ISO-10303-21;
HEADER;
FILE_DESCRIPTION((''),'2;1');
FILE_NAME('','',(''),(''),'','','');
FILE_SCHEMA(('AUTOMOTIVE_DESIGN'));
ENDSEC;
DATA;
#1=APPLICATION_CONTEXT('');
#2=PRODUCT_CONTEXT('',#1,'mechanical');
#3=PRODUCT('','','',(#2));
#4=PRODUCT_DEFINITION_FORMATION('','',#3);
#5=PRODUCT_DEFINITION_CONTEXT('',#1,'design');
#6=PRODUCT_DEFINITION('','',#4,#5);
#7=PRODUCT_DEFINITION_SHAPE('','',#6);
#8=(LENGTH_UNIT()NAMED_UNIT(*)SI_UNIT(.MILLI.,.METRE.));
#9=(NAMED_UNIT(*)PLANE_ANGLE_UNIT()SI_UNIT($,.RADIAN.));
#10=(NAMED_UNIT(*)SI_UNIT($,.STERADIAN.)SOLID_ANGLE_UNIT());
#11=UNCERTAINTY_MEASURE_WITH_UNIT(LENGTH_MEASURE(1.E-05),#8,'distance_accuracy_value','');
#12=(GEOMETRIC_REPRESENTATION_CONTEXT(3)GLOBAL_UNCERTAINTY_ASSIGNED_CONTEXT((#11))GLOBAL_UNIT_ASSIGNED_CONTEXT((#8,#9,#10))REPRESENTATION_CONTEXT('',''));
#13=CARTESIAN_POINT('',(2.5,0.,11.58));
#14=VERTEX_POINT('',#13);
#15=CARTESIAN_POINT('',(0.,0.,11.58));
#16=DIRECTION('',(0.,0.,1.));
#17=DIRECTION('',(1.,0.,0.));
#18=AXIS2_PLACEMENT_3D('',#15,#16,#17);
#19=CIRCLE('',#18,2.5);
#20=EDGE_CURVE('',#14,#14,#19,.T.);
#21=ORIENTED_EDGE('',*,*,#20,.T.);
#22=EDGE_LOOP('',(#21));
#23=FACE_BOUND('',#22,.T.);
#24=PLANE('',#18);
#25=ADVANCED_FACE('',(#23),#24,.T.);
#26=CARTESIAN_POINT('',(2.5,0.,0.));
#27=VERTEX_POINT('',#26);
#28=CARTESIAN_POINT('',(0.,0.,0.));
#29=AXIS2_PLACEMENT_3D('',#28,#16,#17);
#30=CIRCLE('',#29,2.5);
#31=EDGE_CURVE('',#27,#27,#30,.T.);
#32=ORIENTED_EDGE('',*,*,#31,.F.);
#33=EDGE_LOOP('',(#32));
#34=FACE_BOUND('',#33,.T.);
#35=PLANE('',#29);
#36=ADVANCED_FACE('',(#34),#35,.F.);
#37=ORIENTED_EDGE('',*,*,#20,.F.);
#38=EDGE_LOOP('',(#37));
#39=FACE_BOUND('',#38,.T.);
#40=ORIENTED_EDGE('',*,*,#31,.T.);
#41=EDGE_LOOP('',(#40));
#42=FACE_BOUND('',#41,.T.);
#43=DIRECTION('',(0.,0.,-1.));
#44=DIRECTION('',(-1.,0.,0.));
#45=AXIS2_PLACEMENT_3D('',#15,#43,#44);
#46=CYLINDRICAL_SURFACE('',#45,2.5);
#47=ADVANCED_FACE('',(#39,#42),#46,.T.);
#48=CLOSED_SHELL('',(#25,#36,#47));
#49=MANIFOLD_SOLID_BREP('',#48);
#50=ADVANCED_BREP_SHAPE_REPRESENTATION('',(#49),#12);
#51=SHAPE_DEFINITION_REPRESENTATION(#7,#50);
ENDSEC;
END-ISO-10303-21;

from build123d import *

# Parameters (mm, degrees)
ESQUISSE1_R        = 2.5
BOSS_EXTRU_1_DEPTH = 11.58


with BuildPart() as part:
    # Esquisse1 → Boss.-Extru.1 (new body)
    with BuildSketch(Plane.XY):
        Circle(ESQUISSE1_R)
    extrude(amount=BOSS_EXTRU_1_DEPTH)


solid = part.part
